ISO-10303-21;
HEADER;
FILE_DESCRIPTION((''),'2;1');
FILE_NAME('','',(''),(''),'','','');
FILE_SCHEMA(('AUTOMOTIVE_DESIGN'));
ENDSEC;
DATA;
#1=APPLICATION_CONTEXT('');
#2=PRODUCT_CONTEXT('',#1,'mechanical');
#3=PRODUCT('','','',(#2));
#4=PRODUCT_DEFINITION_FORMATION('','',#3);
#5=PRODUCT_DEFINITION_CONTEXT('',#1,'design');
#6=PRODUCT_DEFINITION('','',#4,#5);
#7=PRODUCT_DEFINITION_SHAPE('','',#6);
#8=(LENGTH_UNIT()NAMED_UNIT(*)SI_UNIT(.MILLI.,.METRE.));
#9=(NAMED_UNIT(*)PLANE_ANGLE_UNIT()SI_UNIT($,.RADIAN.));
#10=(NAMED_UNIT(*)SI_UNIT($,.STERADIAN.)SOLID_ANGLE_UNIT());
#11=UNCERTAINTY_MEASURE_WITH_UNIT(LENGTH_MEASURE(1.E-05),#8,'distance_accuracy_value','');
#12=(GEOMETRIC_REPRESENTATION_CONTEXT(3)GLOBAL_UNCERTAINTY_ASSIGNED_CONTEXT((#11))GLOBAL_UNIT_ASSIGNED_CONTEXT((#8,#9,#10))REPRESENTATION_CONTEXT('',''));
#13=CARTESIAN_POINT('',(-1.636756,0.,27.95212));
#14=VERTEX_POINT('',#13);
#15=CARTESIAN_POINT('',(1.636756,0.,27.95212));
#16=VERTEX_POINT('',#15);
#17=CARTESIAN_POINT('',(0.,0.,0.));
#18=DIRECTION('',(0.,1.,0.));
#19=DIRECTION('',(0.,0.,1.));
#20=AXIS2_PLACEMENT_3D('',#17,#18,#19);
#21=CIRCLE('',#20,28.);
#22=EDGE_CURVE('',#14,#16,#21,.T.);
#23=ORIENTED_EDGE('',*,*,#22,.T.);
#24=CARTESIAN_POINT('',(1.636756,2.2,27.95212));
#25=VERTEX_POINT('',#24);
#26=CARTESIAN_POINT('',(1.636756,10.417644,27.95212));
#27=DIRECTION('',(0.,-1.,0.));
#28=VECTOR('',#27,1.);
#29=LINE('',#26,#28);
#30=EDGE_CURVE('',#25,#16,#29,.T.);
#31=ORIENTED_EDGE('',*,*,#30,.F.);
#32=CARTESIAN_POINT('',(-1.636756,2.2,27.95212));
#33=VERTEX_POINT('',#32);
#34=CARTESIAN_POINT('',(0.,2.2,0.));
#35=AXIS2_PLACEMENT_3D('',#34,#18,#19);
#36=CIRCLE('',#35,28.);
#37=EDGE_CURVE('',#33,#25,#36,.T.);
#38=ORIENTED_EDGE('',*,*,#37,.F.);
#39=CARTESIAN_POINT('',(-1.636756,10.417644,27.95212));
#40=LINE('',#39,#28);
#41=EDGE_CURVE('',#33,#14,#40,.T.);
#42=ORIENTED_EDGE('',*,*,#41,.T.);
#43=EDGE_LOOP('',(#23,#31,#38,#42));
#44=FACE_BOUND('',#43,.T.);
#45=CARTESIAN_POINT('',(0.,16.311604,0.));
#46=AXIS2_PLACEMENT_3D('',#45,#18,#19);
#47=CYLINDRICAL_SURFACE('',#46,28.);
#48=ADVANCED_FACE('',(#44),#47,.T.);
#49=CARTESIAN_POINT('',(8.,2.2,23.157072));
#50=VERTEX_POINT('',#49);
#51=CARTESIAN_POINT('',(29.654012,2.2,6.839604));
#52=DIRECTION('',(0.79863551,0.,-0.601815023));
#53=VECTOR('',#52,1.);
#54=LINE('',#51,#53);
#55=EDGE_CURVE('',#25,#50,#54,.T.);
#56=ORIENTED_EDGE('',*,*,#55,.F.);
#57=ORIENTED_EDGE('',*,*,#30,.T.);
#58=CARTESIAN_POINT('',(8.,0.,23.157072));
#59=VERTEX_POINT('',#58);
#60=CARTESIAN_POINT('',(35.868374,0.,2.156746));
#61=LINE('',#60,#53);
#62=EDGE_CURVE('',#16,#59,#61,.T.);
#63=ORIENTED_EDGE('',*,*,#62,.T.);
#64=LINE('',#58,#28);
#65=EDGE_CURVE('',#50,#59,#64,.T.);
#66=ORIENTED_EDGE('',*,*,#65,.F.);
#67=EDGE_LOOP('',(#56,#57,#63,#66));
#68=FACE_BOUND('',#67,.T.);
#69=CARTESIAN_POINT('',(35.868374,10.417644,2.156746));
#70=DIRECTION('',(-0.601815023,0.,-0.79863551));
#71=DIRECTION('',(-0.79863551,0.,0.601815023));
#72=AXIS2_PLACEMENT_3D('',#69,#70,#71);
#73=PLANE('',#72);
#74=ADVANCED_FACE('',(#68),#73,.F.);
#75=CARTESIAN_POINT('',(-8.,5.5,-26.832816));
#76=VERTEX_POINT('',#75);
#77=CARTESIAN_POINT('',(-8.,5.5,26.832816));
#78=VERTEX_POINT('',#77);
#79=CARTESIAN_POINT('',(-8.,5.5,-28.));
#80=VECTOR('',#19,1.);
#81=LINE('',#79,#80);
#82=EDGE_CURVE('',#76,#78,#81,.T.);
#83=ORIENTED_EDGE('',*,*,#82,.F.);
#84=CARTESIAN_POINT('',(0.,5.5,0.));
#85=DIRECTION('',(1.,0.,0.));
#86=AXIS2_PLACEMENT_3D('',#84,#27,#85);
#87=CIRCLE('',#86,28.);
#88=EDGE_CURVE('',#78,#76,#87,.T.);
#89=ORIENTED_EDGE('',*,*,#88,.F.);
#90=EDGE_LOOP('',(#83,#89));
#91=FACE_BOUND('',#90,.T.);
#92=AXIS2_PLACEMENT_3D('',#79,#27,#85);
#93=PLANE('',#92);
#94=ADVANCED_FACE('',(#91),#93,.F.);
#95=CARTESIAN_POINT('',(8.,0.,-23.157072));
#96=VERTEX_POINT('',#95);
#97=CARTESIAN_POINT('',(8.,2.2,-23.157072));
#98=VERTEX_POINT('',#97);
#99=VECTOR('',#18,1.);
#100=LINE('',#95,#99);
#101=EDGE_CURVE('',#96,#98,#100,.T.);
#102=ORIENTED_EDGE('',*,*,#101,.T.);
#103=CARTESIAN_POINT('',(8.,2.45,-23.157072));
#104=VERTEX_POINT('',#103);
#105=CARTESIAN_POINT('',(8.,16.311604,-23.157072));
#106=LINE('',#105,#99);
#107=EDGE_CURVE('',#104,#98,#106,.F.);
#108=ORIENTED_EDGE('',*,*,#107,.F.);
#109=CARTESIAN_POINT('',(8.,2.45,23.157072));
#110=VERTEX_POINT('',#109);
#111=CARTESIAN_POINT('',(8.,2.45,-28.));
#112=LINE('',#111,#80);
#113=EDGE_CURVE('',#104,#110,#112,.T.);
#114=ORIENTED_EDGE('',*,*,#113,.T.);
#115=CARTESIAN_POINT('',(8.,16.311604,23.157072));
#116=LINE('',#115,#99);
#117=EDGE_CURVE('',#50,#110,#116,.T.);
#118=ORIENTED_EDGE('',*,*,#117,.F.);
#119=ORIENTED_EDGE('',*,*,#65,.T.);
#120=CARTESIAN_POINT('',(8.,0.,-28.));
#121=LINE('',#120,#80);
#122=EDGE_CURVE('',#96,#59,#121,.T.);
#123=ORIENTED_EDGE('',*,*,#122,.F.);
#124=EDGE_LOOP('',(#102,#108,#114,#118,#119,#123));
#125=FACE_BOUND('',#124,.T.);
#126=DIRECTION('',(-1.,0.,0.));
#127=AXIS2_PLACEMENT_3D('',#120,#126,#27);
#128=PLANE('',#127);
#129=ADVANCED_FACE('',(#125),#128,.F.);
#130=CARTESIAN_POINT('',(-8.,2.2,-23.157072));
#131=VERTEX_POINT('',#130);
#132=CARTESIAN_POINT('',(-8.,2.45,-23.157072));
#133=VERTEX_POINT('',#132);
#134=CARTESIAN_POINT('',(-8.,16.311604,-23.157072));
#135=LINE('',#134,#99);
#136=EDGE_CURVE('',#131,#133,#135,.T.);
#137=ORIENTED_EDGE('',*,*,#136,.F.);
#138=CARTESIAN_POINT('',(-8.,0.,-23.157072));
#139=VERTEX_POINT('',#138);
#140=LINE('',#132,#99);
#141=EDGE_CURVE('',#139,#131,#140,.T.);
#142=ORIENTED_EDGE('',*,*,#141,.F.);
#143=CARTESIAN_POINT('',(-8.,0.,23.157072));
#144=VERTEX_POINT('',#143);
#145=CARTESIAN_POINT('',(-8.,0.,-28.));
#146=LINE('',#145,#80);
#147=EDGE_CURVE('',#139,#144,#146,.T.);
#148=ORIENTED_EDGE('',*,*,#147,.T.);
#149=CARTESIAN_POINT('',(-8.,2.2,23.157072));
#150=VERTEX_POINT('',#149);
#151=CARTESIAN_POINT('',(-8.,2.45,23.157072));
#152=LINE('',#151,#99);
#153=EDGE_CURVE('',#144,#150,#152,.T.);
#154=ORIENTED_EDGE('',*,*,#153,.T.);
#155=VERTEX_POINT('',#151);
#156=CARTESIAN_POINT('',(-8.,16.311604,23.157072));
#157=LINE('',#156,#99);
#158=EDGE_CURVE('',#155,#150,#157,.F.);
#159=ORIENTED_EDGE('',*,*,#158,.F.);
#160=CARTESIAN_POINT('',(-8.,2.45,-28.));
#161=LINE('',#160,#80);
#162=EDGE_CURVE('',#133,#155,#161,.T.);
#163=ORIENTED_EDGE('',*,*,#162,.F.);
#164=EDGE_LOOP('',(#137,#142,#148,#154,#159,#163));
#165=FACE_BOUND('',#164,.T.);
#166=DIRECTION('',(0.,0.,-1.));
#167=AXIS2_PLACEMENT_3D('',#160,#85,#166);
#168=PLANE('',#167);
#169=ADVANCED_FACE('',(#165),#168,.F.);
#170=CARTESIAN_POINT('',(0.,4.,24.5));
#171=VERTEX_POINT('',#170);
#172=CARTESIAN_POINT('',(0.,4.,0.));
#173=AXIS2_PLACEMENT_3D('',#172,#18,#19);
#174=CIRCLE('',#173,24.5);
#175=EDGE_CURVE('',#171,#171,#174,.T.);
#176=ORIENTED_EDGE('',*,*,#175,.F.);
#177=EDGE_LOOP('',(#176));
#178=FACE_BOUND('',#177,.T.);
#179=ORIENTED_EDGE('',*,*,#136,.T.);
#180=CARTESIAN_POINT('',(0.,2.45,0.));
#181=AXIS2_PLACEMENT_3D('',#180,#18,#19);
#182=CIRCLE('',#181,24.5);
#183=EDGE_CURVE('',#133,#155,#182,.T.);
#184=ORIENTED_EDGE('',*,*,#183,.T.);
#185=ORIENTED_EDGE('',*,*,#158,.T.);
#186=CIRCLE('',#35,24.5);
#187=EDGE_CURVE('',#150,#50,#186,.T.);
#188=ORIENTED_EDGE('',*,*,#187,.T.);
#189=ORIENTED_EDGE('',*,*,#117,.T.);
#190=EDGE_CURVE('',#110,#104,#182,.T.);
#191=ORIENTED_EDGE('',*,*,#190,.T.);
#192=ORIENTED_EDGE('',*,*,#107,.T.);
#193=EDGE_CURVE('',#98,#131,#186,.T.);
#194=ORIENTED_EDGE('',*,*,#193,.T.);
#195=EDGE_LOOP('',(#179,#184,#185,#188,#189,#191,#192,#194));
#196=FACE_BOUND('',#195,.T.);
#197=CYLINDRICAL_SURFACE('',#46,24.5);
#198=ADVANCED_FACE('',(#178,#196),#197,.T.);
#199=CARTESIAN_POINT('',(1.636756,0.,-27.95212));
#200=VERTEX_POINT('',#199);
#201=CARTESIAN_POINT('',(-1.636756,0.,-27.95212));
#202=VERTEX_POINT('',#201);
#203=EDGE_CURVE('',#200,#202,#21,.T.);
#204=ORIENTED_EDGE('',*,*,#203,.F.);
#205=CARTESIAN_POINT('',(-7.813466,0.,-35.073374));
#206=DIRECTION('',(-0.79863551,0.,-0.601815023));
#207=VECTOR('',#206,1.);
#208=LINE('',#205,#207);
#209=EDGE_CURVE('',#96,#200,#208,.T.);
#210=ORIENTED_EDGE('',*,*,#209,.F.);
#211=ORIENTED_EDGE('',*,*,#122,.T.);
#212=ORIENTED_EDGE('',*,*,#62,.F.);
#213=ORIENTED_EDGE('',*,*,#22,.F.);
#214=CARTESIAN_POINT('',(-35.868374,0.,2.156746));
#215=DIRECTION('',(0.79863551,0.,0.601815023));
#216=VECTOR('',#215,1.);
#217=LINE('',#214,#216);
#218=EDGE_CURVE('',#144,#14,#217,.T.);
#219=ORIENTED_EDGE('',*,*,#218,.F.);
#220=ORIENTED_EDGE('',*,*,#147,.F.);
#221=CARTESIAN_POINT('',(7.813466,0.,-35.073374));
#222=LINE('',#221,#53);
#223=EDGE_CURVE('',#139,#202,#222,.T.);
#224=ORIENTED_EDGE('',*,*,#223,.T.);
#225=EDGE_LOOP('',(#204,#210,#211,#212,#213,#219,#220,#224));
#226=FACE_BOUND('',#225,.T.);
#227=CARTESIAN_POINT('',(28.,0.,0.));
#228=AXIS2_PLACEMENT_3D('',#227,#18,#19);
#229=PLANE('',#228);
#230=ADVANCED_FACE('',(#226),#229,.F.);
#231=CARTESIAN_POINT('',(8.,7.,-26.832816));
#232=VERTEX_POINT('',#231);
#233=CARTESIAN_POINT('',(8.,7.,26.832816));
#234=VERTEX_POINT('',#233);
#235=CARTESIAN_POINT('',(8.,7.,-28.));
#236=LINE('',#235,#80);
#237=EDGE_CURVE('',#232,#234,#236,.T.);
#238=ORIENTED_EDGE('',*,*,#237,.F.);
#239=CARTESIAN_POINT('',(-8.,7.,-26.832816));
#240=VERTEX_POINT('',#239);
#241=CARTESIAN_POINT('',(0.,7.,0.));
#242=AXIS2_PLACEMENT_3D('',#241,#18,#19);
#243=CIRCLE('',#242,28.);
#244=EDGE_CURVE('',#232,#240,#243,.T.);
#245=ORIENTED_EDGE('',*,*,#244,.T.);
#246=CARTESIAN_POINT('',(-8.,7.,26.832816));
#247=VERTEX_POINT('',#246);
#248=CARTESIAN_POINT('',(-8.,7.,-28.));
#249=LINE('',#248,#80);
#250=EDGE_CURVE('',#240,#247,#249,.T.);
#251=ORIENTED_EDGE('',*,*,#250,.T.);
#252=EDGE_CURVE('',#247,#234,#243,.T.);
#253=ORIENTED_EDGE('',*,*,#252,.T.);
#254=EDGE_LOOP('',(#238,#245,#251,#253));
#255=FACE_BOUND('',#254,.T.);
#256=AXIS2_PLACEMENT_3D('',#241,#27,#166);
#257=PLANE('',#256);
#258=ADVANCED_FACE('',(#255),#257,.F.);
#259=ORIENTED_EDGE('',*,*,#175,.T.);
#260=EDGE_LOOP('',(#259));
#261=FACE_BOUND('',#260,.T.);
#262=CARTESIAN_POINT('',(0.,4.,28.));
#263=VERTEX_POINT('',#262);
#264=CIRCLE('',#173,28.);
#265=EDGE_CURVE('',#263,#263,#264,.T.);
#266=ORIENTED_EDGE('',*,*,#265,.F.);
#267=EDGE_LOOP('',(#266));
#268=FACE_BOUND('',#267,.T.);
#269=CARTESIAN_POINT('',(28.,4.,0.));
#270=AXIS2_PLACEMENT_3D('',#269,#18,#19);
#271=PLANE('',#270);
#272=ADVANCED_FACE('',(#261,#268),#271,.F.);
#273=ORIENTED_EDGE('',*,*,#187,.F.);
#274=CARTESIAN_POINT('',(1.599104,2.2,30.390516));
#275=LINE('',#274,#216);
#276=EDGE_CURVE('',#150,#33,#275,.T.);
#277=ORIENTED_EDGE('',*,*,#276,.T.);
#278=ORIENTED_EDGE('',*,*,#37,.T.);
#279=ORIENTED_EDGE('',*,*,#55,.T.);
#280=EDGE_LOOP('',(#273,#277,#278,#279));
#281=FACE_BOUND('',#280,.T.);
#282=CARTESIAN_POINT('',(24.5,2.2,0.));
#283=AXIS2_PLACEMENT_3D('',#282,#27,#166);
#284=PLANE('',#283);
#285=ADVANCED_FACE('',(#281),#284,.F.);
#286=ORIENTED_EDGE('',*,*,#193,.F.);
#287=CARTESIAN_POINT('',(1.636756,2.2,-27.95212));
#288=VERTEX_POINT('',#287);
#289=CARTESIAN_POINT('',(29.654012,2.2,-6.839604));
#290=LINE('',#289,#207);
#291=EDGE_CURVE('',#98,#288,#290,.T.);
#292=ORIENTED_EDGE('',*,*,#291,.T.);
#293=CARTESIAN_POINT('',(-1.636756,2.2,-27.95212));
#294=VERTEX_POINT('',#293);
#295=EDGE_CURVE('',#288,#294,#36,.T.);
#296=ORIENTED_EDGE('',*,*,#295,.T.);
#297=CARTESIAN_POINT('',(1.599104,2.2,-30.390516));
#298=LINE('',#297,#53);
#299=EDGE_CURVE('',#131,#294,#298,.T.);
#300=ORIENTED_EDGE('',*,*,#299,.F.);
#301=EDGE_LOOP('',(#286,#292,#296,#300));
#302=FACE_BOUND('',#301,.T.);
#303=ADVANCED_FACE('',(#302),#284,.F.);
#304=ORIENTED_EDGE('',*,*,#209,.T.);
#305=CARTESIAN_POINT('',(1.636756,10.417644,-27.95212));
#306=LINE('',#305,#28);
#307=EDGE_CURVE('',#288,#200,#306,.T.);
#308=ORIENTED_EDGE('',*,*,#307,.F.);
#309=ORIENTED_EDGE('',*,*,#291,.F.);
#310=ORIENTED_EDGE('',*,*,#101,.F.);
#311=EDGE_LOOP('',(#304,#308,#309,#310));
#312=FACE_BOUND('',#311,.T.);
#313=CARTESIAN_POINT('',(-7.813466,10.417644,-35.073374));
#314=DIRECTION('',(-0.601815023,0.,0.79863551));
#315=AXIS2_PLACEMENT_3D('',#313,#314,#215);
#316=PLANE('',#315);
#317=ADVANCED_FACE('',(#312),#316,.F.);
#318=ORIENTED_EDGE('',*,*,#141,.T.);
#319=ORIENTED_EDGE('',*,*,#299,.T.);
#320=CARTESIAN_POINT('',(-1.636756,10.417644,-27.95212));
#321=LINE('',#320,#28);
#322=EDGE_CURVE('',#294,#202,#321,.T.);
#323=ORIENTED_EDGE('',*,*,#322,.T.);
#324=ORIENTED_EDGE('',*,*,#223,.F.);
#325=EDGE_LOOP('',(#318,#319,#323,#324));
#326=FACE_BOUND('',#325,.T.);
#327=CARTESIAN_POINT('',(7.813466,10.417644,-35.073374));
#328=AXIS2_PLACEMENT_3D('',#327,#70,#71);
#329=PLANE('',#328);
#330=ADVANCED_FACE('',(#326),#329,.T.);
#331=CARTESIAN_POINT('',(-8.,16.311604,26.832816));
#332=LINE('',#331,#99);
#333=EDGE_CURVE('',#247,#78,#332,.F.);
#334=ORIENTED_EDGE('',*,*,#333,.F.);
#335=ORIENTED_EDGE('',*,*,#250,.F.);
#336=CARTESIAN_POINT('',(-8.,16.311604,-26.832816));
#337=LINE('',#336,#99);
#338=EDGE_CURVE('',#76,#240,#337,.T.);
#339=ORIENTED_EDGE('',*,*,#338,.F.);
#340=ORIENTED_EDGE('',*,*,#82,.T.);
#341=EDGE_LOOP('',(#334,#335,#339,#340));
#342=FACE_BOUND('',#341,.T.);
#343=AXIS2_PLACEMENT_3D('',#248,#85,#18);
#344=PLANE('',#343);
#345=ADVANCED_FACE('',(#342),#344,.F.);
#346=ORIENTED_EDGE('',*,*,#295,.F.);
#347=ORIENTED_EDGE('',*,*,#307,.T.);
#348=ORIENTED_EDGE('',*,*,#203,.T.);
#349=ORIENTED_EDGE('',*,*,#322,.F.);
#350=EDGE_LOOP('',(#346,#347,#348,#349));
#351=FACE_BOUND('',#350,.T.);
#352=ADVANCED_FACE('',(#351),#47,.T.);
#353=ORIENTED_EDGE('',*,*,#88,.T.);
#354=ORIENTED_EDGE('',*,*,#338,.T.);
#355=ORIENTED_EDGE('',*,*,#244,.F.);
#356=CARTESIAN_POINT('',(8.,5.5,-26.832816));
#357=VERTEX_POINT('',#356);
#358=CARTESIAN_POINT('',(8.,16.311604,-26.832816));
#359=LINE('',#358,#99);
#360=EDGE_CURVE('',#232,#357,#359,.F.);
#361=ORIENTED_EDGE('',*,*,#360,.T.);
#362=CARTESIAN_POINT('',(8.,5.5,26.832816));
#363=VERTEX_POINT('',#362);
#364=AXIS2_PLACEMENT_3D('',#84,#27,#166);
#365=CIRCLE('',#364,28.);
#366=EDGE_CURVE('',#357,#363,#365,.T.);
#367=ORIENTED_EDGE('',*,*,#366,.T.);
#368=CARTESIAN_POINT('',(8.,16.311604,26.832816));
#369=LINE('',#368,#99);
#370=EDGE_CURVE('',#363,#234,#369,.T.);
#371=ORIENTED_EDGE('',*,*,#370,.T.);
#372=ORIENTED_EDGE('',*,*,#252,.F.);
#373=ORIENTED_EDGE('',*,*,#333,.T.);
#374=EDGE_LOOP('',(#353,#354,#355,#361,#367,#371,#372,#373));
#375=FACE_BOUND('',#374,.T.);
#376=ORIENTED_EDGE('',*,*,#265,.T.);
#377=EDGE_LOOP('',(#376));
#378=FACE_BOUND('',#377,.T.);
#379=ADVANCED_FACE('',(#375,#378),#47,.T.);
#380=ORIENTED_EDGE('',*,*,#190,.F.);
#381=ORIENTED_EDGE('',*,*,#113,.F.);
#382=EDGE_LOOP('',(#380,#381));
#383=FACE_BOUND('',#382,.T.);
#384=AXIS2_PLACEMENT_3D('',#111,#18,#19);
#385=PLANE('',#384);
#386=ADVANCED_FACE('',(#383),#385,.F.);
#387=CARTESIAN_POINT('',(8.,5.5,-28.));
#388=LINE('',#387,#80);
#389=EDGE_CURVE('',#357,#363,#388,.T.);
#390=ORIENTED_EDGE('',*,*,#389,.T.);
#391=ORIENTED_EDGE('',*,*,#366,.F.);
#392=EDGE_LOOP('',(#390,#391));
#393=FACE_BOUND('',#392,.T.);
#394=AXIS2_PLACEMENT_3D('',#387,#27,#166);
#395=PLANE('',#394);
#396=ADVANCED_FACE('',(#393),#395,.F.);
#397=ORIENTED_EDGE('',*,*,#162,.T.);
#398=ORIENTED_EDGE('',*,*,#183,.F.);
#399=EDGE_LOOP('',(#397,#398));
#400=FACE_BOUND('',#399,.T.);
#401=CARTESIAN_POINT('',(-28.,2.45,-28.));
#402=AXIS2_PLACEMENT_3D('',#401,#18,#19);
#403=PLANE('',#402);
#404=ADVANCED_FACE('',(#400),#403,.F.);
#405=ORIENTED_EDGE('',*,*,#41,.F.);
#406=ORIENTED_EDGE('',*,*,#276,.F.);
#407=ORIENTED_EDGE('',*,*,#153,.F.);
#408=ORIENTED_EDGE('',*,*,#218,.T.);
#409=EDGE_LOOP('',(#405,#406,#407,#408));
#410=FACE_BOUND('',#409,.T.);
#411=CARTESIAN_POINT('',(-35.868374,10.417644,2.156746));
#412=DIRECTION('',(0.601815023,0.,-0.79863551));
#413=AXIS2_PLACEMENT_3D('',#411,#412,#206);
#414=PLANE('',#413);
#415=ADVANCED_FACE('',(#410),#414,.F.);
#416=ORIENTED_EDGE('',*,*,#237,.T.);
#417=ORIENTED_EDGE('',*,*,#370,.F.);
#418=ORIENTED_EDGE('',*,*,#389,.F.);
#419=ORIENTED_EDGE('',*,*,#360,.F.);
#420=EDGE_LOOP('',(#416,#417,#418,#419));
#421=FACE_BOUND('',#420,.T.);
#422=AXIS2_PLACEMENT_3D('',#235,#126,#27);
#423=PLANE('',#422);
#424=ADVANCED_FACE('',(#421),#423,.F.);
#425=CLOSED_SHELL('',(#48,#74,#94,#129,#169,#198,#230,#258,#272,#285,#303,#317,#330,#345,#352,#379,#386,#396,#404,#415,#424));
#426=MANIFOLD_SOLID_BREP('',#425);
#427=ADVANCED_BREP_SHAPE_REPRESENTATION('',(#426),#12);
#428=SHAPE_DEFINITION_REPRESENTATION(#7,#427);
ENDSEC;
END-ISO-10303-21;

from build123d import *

# Parameters (mm, degrees)
SKETCH_2_W               = 20
SKETCH_2_H               = 1.5
SKETCH_2_H_2             = 2.45
CUT_EXTRUDE_1_DEPTH      = 29
CUT_EXTRUDE_1_DEPTH_BACK = 29
CUT_EXTRUDE_2_DEPTH      = 2.45


with BuildPart() as part:
    # Эскиз1 → Повернуть1 (revolve)
    with BuildSketch(Plane.XY):
        Polygon((0, 0), (0, 7), (28, 7), (28, 4), (24.5, 4), (24.5, 2.2), (28, 2.2), (28, 0), align=None)
    revolve(axis=Axis((0, 16.311603896, 0), (0, -1, 0)))

    # Эскиз2 → Вырез-Вытянуть1 (cut, two sides)
    with BuildSketch(Plane.XY) as cut_extrude_1_sk:
        with Locations((18, 6.25)):
            Rectangle(SKETCH_2_W, SKETCH_2_H)
        with Locations((-18, 6.25)):
            Rectangle(SKETCH_2_W, SKETCH_2_H)
        with Locations((18, 1.225)):
            Rectangle(SKETCH_2_W, SKETCH_2_H_2)
        with Locations((-18, 1.225)):
            Rectangle(SKETCH_2_W, SKETCH_2_H_2)
    extrude(amount=CUT_EXTRUDE_1_DEPTH, mode=Mode.SUBTRACT)
    extrude(cut_extrude_1_sk.sketch, amount=-CUT_EXTRUDE_1_DEPTH_BACK, mode=Mode.SUBTRACT)

    # Эскиз3 → Вырез-Вытянуть2 (cut)
    with BuildSketch(Plane.XZ):
        with BuildLine():
            ThreePointArc((8, 26.83281573), (4.850771024, 27.576620904), (1.636756478, 27.952120281))
            Line((1.636756478, 27.952120281), (8, 23.157072354))
            Line((8, 23.157072354), (8, 26.83281573))
        make_face()
        with BuildLine():
            Line((-8, 26.83281573), (-8, 23.157072354))
            Line((-8, 23.157072354), (-1.636756478, 27.952120281))
            ThreePointArc((-1.636756478, 27.952120281), (-4.850771024, 27.576620904), (-8, 26.83281573))
        make_face()
        with BuildLine():
            Line((-1.636756478, -27.952120281), (-8, -23.157072354))
            Line((-8, -23.157072354), (-8, -26.83281573))
            ThreePointArc((-8, -26.83281573), (-4.850771024, -27.576620904), (-1.636756478, -27.952120281))
        make_face()
        with BuildLine():
            Line((8, -23.157072354), (1.636756478, -27.952120281))
            ThreePointArc((1.636756478, -27.952120281), (4.850771024, -27.576620904), (8, -26.83281573))
            Line((8, -26.83281573), (8, -23.157072354))
        make_face()
    extrude(amount=-CUT_EXTRUDE_2_DEPTH, mode=Mode.SUBTRACT)


solid = part.part
